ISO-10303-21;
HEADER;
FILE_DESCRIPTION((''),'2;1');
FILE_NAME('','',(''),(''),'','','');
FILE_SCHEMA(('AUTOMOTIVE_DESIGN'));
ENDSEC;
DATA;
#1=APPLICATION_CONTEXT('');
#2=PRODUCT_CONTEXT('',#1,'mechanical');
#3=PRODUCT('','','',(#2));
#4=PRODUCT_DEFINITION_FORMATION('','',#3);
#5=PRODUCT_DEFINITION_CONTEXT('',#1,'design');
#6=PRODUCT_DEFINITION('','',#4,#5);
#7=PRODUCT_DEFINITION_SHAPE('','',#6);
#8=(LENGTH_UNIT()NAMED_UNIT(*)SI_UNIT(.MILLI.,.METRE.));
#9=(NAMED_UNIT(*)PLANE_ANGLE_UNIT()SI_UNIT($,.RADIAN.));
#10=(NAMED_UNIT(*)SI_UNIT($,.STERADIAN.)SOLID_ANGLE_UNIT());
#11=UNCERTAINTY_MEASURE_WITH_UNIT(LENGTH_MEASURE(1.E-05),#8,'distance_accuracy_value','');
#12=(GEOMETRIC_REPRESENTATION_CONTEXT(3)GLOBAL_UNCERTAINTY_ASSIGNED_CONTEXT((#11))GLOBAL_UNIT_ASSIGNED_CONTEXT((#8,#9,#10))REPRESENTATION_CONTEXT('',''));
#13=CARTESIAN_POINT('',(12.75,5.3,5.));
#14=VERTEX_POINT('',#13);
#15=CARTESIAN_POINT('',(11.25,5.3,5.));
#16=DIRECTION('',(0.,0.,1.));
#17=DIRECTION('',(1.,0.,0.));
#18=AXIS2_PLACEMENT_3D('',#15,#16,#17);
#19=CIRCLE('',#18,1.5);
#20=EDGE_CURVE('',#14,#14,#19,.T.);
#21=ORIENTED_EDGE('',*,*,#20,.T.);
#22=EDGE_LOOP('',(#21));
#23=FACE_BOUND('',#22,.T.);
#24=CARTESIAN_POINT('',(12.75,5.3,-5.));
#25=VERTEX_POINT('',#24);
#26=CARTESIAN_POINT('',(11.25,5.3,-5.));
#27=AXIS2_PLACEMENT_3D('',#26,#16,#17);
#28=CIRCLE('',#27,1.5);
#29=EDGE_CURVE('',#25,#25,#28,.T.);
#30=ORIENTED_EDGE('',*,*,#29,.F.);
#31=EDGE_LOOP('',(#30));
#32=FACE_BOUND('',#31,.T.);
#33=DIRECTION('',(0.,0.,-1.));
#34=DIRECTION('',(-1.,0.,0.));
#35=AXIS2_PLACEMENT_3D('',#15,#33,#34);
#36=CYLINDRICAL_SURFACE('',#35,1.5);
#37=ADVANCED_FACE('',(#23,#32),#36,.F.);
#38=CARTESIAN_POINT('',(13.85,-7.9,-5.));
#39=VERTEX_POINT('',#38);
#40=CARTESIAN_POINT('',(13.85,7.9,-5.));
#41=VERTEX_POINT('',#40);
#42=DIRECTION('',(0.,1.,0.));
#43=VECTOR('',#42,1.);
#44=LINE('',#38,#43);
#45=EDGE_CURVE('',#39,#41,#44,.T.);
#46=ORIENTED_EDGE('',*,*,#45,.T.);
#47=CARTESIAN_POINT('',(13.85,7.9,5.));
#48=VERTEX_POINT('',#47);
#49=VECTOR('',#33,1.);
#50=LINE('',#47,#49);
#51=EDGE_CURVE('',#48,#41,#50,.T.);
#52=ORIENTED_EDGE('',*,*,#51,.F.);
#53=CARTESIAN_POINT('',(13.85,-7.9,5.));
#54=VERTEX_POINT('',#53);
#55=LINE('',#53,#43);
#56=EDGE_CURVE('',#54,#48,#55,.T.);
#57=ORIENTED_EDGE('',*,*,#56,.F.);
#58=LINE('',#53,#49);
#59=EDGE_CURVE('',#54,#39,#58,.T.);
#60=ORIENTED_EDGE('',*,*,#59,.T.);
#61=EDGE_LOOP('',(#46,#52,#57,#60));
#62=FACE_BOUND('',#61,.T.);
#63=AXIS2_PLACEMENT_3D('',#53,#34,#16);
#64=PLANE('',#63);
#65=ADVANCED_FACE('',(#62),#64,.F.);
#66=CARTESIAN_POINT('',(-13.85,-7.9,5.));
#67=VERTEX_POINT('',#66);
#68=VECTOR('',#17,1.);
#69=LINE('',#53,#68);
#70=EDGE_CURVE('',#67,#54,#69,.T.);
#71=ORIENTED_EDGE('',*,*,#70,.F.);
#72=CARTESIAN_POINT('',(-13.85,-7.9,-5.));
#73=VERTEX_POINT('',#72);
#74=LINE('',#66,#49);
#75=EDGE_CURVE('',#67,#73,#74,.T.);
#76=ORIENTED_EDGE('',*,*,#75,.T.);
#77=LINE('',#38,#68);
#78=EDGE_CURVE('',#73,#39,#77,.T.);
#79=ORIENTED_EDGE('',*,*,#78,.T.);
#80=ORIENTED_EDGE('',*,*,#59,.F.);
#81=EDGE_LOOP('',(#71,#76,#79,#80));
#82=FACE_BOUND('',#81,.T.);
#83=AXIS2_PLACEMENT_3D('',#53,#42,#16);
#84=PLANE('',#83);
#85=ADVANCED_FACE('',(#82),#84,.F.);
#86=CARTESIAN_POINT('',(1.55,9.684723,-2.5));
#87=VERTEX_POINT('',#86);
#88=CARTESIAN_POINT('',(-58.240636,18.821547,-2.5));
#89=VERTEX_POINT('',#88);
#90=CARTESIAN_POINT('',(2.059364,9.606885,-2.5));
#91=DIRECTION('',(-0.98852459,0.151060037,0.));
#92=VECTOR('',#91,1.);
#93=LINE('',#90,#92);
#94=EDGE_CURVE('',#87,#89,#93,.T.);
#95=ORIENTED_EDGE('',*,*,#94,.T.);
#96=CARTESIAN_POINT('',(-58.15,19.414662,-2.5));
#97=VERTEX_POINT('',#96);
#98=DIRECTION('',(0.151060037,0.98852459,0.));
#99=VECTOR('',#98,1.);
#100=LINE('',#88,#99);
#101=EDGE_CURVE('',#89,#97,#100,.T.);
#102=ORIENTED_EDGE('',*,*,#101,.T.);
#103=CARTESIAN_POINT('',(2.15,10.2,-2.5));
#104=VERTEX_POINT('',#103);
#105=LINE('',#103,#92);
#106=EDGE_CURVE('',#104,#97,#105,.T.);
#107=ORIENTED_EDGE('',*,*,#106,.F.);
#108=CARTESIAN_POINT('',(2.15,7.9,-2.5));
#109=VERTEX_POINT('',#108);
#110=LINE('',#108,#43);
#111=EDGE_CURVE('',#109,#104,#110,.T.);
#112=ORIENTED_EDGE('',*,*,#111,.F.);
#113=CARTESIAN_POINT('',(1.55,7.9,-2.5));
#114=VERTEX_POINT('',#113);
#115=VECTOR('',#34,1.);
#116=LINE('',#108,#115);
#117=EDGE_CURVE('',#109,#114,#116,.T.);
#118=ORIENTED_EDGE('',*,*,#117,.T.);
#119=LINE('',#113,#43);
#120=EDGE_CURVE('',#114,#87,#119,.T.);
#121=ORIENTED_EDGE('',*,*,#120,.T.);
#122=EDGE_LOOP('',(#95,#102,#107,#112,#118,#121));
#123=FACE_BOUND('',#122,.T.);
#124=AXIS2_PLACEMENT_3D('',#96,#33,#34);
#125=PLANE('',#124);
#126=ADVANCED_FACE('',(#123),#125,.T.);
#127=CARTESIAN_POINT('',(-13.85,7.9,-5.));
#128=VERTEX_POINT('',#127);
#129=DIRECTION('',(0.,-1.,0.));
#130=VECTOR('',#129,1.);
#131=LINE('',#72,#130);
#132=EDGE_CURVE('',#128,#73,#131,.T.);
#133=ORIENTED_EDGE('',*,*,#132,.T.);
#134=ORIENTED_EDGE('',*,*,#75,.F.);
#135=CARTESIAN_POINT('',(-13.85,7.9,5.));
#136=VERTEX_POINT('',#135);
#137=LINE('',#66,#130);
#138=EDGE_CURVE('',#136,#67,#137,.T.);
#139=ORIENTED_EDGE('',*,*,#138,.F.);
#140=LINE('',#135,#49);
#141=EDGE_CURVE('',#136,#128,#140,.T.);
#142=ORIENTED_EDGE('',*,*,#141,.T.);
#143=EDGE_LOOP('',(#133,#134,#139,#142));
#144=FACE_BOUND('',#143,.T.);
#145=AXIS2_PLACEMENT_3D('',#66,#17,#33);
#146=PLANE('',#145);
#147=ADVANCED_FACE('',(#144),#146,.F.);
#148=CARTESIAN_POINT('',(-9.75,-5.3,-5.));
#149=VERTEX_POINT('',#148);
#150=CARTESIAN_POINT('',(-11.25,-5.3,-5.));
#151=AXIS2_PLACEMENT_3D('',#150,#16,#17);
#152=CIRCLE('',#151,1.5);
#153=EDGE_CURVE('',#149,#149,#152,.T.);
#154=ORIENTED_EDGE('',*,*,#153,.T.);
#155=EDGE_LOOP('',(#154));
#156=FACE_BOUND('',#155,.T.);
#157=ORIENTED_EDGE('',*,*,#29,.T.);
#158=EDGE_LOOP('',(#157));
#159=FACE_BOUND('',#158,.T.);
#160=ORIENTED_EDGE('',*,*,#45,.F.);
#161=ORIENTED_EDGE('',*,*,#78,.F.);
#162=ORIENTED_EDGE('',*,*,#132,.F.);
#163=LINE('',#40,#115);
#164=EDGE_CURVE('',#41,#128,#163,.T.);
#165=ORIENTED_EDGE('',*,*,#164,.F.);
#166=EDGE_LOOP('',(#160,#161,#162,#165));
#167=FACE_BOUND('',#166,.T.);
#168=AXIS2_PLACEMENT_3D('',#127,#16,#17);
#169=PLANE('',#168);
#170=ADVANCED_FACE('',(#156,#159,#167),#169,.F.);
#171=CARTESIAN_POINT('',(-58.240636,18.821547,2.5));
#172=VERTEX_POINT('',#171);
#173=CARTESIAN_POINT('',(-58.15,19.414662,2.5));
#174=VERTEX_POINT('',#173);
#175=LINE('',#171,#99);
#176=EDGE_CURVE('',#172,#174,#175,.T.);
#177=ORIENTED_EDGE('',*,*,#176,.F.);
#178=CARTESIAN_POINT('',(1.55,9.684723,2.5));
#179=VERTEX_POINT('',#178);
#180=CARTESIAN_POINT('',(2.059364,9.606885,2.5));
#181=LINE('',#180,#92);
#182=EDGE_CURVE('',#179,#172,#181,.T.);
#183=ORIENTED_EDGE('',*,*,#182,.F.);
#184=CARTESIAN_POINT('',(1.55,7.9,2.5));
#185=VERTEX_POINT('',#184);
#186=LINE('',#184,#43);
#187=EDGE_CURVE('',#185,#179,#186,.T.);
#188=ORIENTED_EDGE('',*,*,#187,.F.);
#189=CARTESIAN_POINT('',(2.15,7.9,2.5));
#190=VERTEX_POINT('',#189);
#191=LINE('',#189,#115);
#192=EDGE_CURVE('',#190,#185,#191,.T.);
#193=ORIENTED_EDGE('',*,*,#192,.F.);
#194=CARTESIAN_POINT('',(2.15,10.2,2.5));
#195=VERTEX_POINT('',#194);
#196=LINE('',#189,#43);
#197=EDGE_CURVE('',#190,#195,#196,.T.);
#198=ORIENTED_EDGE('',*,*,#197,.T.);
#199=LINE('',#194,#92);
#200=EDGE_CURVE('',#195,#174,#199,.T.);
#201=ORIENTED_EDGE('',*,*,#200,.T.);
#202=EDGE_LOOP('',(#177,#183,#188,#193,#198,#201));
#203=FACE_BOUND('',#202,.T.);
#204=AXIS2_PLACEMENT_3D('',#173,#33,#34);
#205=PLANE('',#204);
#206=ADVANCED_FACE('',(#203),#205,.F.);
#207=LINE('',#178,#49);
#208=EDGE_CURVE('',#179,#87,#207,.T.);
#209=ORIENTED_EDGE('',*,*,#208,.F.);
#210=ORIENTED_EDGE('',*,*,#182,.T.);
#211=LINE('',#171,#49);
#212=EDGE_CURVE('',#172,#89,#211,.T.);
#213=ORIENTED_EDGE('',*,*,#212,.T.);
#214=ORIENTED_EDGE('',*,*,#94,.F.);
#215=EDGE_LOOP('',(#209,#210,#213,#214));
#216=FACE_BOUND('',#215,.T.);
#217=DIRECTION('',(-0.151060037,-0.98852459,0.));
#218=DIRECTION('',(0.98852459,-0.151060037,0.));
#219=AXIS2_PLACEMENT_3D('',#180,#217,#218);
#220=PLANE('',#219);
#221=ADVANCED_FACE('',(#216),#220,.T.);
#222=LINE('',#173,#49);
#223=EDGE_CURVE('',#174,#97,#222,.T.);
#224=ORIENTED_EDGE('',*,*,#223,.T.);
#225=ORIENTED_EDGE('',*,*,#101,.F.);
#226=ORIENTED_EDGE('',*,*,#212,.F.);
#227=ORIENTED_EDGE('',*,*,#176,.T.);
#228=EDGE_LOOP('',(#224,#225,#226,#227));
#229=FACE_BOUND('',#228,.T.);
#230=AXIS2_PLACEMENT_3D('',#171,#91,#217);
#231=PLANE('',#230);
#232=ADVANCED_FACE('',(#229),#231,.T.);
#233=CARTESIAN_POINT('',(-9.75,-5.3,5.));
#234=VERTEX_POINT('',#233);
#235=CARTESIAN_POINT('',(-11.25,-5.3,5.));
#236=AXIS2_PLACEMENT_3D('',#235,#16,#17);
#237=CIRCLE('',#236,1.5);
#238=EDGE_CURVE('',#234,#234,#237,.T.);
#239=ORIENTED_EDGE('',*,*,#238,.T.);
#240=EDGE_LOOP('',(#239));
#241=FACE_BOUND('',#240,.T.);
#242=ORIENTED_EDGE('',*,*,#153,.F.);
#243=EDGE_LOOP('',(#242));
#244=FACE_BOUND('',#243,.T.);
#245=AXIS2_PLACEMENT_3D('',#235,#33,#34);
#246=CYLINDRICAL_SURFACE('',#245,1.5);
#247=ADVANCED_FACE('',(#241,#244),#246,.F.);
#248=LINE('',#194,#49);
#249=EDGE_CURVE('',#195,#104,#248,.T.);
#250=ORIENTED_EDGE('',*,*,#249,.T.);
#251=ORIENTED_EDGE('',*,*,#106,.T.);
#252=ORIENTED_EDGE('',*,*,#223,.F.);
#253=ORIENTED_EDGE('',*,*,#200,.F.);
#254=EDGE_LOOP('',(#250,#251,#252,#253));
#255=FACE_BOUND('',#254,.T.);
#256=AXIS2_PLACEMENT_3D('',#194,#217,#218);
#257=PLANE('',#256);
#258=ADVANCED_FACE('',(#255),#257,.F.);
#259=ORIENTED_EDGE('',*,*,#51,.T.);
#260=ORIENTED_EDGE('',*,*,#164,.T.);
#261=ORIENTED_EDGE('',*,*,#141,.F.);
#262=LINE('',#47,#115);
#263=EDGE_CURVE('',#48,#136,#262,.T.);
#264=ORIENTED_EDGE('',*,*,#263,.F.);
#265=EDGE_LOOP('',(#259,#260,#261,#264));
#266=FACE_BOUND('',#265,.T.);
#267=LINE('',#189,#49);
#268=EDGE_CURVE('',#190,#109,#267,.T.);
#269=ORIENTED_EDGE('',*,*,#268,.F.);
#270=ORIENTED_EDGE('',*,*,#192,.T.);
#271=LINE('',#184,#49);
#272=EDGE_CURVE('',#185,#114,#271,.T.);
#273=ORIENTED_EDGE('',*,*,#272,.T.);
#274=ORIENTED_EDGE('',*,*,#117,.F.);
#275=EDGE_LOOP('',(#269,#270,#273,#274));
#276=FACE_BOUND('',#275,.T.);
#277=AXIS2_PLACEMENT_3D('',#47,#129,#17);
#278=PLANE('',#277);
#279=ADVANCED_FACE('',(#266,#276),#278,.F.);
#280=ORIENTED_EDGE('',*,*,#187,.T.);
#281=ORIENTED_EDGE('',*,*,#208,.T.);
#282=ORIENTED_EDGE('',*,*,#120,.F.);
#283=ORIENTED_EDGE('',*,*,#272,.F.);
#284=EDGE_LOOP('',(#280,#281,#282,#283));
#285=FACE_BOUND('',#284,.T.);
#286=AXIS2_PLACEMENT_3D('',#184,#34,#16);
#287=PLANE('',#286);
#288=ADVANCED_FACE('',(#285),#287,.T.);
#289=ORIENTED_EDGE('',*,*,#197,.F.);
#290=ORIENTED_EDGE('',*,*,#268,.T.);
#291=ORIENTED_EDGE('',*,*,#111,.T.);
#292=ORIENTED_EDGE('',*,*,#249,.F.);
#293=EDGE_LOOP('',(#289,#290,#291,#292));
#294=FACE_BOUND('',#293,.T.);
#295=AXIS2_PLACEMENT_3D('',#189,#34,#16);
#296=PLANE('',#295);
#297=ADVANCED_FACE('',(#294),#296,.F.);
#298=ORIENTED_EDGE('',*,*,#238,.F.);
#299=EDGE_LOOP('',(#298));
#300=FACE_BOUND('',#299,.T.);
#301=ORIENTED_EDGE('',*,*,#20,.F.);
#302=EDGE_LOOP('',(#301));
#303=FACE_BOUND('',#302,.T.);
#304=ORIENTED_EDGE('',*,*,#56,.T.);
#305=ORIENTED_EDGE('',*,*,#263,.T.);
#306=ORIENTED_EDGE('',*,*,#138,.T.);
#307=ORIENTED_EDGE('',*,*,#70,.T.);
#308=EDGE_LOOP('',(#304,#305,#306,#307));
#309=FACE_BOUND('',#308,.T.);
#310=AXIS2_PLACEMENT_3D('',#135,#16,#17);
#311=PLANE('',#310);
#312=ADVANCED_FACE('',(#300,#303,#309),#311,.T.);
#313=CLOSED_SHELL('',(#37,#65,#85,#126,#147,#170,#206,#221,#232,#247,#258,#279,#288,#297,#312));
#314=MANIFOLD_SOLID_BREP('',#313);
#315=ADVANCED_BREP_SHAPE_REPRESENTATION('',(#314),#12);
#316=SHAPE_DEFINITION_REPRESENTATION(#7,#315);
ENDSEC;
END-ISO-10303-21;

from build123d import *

# Parameters (mm, degrees)
SKETCH_1_W        = 27.7
SKETCH_1_H        = 15.8
SKETCH_1_R        = 1.5
EXTRUDE_1_DEPTH   = 5
EXTRUDE_1_2_DEPTH = 2.5


with BuildPart() as part:
    # ｽｹｯﾁ1 → Extrude 1 (new, symmetric)
    with BuildSketch(Plane.XY):
        Rectangle(SKETCH_1_W, SKETCH_1_H)
        with Locations((11.25, 5.3)):
            Circle(SKETCH_1_R, mode=Mode.SUBTRACT)
        with Locations((-11.25, -5.3)):
            Circle(SKETCH_1_R, mode=Mode.SUBTRACT)
    extrude(amount=EXTRUDE_1_DEPTH, both=True)

    # ｽｹｯﾁ2 → Extrude 1 2 (add, symmetric)
    with BuildSketch(Plane.XY):
        Polygon((2.15, 7.9), (2.15, 10.2), (-58.15, 19.414662229), (-58.240636022, 18.821547475), (1.55, 9.684723007), (1.55, 7.9), align=None)
    extrude(amount=EXTRUDE_1_2_DEPTH, both=True)


solid = part.part
